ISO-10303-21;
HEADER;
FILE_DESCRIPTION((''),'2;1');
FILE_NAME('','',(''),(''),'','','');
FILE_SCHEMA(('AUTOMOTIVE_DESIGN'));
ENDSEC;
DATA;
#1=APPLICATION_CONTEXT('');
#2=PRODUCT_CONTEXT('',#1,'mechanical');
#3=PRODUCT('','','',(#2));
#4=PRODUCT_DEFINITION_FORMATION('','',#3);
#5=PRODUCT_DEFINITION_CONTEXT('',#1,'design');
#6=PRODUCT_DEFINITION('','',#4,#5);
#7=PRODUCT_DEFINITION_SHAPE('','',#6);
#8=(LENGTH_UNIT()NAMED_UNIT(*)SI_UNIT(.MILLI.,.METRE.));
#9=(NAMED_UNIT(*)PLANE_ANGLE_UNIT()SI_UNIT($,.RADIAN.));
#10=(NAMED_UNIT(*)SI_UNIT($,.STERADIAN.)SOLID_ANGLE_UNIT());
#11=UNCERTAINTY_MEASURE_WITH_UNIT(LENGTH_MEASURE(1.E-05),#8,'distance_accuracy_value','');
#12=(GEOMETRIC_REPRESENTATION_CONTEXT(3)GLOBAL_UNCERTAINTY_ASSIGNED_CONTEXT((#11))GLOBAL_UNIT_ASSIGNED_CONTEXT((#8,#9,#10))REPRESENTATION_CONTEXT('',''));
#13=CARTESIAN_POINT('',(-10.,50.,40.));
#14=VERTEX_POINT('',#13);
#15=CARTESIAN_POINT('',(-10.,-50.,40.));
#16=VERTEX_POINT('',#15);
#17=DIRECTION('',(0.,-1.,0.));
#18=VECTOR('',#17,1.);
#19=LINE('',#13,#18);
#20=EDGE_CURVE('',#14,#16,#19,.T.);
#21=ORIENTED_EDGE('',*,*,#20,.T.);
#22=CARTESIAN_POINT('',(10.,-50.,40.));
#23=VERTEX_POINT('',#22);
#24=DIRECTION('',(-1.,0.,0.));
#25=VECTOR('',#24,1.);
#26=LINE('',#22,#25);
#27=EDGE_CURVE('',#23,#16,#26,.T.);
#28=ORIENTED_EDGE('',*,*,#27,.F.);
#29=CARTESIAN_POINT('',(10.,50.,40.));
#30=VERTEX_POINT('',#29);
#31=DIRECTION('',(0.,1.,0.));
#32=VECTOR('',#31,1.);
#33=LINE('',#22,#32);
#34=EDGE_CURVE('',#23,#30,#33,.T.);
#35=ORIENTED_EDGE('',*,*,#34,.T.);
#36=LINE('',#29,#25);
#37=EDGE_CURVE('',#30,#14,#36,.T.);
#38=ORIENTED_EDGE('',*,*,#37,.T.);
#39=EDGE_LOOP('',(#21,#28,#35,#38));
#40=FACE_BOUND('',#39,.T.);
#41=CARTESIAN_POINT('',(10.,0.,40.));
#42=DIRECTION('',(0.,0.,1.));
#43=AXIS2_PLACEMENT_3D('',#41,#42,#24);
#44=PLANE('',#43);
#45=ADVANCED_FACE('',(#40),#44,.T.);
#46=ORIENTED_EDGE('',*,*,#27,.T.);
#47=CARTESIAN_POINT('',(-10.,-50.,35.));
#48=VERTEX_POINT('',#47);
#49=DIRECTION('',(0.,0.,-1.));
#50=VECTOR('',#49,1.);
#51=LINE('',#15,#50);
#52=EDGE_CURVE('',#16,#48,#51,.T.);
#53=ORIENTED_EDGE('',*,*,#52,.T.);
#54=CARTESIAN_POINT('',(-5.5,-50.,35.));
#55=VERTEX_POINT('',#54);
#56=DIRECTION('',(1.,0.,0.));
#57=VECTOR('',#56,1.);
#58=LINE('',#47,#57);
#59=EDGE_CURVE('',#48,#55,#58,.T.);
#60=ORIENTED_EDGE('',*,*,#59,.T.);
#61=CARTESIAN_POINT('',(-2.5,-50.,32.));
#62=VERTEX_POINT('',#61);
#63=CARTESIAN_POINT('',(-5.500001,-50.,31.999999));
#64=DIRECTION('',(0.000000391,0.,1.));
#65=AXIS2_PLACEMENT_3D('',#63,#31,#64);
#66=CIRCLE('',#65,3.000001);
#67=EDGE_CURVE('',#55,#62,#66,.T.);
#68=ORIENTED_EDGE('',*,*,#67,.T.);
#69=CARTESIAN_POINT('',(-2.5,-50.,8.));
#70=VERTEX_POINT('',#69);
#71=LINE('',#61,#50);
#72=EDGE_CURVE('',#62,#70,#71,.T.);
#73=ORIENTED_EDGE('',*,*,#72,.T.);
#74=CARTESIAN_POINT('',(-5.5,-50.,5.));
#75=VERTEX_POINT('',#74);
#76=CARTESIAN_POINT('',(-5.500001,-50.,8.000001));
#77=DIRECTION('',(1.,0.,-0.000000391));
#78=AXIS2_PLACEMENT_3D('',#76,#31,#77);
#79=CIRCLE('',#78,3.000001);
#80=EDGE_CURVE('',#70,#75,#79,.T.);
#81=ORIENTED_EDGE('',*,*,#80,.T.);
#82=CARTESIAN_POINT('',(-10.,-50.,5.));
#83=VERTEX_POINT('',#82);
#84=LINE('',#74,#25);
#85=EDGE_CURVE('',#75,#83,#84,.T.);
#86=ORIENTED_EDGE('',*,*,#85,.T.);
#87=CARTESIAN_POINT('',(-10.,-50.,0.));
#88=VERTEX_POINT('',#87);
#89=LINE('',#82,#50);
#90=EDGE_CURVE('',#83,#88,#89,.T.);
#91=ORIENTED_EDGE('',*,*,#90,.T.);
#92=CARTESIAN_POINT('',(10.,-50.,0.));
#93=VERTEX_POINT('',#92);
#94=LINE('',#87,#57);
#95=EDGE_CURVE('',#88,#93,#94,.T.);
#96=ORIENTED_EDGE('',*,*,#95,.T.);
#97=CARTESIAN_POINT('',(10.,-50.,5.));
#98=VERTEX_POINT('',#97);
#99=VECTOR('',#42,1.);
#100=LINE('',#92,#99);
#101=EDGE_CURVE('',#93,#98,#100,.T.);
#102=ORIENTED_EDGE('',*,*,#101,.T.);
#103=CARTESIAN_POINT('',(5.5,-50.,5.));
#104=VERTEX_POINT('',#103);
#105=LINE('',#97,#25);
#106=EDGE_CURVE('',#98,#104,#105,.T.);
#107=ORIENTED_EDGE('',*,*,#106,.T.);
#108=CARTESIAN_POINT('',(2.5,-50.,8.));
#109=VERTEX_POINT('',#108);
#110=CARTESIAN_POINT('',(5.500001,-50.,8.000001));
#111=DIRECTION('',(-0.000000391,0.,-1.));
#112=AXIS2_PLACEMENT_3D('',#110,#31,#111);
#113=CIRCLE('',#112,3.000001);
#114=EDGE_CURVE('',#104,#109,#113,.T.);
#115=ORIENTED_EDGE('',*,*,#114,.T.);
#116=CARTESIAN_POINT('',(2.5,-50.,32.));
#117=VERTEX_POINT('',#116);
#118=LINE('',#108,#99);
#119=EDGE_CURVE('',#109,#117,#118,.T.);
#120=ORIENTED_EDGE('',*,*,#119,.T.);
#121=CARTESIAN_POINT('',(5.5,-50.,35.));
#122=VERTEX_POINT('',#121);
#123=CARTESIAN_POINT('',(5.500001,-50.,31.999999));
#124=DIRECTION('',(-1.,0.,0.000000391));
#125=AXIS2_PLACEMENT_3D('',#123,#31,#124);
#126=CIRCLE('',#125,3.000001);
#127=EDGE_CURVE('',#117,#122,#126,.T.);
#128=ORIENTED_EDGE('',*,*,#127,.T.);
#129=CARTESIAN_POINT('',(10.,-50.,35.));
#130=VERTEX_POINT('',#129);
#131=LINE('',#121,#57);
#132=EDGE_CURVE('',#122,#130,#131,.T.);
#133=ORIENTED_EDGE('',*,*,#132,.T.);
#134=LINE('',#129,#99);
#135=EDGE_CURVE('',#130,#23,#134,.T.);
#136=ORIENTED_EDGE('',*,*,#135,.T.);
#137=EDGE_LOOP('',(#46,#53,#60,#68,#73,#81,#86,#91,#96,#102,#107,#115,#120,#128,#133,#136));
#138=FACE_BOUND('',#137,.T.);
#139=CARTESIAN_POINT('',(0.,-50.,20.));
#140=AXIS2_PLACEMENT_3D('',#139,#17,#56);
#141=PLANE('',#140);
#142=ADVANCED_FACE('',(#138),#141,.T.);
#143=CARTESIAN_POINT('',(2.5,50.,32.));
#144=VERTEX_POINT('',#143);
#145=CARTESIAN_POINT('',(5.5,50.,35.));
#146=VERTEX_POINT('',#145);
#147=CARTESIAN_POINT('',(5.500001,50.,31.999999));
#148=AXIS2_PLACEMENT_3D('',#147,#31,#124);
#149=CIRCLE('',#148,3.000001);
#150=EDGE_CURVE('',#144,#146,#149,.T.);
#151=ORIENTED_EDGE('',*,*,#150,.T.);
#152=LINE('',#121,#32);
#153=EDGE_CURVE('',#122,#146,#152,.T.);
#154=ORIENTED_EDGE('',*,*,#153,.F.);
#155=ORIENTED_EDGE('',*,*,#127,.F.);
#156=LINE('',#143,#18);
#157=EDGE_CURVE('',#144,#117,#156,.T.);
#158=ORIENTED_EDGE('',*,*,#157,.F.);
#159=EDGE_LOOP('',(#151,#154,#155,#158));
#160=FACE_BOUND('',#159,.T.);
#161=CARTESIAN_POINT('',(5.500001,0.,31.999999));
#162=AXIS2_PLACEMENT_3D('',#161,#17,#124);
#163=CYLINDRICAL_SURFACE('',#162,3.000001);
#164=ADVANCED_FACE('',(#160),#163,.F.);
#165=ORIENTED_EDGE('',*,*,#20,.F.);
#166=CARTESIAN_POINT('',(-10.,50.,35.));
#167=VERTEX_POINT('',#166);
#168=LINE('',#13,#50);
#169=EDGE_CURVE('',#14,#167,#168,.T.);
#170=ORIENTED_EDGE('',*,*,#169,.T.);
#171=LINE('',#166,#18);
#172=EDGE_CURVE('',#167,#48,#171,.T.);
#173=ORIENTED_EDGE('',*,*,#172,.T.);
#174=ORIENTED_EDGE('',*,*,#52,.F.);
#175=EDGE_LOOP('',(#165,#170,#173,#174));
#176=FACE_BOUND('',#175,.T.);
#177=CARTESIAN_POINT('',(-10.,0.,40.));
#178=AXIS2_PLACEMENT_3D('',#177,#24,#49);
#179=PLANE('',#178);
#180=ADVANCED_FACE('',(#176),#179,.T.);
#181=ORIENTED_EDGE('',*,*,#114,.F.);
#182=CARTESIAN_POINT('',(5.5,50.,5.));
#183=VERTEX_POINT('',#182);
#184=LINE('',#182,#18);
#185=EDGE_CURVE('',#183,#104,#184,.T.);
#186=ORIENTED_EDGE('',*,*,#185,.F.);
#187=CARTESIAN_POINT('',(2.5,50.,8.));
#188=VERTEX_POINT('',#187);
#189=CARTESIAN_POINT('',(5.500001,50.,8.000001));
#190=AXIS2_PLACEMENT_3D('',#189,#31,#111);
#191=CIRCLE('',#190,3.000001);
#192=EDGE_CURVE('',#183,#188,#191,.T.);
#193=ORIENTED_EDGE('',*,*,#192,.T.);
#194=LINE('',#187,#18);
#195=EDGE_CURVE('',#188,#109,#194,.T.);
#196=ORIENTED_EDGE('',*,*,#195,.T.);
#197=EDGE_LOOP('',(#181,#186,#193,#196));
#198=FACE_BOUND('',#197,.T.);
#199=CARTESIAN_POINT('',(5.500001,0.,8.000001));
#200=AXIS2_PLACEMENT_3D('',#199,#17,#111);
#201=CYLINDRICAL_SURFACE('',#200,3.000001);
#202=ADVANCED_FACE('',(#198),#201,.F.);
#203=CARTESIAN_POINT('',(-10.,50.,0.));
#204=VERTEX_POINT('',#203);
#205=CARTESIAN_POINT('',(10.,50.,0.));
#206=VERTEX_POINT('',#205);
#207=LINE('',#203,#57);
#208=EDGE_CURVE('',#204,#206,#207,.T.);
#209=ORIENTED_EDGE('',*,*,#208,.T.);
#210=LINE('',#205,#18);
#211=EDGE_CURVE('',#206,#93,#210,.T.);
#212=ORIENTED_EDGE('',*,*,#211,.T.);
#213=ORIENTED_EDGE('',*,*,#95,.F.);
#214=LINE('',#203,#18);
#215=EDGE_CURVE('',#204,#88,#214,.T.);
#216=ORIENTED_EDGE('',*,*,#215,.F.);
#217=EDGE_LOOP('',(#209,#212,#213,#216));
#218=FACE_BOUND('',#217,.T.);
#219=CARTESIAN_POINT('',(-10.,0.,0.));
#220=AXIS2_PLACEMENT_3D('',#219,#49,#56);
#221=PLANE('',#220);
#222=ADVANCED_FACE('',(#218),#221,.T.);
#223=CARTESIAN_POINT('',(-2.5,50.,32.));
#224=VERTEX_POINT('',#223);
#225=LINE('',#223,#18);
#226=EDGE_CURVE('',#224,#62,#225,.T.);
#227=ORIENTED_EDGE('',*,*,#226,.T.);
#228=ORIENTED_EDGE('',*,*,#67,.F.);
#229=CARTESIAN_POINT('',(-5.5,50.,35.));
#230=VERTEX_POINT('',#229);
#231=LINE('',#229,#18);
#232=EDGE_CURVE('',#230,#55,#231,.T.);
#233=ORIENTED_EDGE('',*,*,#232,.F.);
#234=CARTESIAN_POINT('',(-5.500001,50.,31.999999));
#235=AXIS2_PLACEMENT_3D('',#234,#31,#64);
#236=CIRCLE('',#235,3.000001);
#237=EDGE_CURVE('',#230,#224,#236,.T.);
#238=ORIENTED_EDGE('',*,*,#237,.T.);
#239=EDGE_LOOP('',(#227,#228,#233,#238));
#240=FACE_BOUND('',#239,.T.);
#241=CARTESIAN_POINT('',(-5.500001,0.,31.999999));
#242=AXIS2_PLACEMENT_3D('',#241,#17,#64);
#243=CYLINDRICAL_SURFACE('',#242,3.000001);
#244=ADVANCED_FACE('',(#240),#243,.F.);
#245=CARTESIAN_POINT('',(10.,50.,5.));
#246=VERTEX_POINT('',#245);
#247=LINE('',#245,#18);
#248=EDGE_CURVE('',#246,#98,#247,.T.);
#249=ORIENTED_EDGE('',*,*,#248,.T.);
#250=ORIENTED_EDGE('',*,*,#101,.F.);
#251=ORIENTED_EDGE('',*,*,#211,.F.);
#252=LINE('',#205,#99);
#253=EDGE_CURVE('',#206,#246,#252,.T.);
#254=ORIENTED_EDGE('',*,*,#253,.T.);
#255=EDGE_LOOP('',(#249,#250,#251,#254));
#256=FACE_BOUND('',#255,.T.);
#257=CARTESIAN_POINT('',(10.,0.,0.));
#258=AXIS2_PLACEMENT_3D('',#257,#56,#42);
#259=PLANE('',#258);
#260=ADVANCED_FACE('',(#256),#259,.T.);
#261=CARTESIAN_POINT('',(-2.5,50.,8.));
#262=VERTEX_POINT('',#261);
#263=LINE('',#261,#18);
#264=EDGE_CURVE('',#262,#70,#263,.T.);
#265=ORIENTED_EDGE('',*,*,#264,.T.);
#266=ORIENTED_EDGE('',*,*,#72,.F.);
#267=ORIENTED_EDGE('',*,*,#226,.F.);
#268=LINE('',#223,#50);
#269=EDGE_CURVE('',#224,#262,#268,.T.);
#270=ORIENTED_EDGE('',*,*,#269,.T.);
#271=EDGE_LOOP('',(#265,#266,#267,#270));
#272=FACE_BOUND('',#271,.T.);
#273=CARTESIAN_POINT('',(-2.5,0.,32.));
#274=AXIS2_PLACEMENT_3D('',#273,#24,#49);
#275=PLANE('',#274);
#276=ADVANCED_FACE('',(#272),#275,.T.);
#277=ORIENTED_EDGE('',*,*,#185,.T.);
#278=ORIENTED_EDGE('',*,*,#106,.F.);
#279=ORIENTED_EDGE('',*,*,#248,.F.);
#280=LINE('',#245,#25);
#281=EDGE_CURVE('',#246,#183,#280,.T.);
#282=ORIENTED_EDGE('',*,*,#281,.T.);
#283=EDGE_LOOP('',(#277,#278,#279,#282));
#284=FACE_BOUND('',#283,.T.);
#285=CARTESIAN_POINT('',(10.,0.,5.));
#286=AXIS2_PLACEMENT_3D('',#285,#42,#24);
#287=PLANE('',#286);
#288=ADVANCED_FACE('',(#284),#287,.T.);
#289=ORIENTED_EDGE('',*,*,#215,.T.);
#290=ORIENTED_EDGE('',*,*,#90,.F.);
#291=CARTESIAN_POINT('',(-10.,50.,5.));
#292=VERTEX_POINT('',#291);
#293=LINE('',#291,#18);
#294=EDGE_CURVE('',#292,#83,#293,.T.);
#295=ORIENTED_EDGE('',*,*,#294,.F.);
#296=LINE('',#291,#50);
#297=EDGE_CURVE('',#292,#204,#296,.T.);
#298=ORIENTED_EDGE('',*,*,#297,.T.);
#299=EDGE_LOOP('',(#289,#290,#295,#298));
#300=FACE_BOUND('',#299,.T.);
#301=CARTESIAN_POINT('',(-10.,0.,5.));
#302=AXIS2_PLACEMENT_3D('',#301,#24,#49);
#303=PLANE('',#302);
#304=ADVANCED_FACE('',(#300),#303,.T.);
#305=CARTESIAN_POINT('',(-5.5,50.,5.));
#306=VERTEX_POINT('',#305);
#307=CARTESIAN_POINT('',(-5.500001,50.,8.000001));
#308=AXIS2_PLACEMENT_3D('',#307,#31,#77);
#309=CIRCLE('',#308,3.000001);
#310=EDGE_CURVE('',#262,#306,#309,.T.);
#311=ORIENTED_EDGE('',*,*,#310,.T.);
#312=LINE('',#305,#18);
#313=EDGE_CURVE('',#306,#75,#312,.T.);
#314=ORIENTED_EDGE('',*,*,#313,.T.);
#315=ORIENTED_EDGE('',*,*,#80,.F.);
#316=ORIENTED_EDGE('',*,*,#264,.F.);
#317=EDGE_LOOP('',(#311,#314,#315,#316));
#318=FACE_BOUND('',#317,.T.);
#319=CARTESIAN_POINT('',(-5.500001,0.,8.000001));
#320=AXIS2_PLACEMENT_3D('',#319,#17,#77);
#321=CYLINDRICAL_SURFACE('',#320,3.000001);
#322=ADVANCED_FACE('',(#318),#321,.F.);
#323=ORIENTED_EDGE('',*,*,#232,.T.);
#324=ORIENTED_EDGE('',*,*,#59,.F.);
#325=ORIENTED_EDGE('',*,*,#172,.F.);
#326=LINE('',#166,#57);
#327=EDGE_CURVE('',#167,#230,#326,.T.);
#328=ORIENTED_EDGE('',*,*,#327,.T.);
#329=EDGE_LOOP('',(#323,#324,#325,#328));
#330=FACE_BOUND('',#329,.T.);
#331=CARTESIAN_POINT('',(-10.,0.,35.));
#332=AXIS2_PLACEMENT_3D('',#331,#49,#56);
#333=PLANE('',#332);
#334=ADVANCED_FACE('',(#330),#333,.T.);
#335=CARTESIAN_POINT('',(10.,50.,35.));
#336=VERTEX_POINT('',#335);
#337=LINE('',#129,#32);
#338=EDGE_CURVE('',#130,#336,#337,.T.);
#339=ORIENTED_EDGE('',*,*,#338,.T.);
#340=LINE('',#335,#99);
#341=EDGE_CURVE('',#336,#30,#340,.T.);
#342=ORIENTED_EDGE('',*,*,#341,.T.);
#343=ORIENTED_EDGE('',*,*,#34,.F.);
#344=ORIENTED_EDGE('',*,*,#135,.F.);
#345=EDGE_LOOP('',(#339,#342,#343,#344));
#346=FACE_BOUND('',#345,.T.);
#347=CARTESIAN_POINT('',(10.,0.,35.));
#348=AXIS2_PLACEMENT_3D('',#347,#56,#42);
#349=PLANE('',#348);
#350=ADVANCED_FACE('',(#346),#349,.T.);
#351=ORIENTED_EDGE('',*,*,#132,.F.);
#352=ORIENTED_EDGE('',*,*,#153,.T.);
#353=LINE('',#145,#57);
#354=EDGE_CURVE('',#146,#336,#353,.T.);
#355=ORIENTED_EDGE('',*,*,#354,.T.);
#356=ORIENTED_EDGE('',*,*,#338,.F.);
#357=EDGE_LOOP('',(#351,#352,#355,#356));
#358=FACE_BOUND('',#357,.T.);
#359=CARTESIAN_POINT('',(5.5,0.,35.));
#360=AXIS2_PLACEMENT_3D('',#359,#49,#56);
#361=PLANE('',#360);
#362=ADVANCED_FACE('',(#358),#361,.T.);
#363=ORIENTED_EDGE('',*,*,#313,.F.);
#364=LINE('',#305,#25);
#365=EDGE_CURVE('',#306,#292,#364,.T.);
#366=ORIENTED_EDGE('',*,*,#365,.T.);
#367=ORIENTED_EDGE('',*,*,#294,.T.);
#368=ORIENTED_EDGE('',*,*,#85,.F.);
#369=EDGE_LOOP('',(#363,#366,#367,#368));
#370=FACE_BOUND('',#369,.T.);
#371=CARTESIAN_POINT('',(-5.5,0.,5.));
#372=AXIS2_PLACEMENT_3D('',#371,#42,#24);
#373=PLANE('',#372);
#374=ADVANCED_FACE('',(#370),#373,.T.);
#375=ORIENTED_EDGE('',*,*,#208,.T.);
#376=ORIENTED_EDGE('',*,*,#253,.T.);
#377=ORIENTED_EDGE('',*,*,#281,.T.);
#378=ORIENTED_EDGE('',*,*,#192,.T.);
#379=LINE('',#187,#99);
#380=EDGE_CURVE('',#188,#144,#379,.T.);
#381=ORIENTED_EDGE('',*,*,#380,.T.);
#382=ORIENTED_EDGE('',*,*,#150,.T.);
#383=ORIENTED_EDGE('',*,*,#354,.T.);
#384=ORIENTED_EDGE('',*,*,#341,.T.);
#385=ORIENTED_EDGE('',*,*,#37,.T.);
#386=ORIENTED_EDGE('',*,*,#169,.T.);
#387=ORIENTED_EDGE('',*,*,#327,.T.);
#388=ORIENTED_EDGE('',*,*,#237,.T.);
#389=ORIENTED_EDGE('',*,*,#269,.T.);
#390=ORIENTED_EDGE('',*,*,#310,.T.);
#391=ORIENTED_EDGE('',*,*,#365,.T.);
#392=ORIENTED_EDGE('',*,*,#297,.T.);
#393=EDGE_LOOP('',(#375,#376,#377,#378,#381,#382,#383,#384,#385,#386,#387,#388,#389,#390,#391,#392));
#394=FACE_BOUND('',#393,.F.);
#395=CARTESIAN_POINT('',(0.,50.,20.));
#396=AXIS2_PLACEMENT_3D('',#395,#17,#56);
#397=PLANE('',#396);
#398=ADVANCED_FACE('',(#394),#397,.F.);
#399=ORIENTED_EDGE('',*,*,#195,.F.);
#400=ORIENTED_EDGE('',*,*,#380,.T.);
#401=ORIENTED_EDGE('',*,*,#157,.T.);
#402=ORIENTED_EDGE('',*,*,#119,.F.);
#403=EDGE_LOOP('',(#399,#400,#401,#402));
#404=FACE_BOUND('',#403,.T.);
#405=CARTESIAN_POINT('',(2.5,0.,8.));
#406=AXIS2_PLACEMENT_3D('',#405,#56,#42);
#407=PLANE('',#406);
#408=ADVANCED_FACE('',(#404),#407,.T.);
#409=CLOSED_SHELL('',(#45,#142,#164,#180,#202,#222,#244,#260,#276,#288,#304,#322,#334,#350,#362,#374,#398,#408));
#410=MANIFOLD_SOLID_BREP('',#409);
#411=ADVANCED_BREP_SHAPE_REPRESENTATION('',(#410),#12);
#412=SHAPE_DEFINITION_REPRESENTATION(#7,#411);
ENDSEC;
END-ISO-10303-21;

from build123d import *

# Parameters (mm, degrees)
F1_DEPTH = 50


with BuildPart() as f1:
    # F0 (on Front) → F1 (new body, symmetric)
    with BuildSketch(Plane.XZ):
        with BuildLine():
            Line((10, 40), (0, 40))
            Line((0, 40), (-10, 40))
            Line((-10, 40), (-10, 35))
            Line((-10, 35), (-5.5, 35))
            ThreePointArc((-5.5, 35), (-3.37868, 34.12132), (-2.5, 32))
            Line((-2.5, 32), (-2.5, 8))
            ThreePointArc((-2.5, 8), (-3.37868, 5.87868), (-5.5, 5))
            Line((-5.5, 5), (-10, 5))
            Line((-10, 5), (-10, 0))
            Line((-10, 0), (0, 0))
            Line((0, 0), (10, 0))
            Line((10, 0), (10, 5))
            Line((10, 5), (5.5, 5))
            ThreePointArc((5.5, 5), (3.37868, 5.87868), (2.5, 8))
            Line((2.5, 8), (2.5, 32))
            ThreePointArc((2.5, 32), (3.37868, 34.12132), (5.5, 35))
            Line((5.5, 35), (10, 35))
            Line((10, 35), (10, 40))
        make_face()
    extrude(amount=F1_DEPTH, both=True)


solid = f1.part
